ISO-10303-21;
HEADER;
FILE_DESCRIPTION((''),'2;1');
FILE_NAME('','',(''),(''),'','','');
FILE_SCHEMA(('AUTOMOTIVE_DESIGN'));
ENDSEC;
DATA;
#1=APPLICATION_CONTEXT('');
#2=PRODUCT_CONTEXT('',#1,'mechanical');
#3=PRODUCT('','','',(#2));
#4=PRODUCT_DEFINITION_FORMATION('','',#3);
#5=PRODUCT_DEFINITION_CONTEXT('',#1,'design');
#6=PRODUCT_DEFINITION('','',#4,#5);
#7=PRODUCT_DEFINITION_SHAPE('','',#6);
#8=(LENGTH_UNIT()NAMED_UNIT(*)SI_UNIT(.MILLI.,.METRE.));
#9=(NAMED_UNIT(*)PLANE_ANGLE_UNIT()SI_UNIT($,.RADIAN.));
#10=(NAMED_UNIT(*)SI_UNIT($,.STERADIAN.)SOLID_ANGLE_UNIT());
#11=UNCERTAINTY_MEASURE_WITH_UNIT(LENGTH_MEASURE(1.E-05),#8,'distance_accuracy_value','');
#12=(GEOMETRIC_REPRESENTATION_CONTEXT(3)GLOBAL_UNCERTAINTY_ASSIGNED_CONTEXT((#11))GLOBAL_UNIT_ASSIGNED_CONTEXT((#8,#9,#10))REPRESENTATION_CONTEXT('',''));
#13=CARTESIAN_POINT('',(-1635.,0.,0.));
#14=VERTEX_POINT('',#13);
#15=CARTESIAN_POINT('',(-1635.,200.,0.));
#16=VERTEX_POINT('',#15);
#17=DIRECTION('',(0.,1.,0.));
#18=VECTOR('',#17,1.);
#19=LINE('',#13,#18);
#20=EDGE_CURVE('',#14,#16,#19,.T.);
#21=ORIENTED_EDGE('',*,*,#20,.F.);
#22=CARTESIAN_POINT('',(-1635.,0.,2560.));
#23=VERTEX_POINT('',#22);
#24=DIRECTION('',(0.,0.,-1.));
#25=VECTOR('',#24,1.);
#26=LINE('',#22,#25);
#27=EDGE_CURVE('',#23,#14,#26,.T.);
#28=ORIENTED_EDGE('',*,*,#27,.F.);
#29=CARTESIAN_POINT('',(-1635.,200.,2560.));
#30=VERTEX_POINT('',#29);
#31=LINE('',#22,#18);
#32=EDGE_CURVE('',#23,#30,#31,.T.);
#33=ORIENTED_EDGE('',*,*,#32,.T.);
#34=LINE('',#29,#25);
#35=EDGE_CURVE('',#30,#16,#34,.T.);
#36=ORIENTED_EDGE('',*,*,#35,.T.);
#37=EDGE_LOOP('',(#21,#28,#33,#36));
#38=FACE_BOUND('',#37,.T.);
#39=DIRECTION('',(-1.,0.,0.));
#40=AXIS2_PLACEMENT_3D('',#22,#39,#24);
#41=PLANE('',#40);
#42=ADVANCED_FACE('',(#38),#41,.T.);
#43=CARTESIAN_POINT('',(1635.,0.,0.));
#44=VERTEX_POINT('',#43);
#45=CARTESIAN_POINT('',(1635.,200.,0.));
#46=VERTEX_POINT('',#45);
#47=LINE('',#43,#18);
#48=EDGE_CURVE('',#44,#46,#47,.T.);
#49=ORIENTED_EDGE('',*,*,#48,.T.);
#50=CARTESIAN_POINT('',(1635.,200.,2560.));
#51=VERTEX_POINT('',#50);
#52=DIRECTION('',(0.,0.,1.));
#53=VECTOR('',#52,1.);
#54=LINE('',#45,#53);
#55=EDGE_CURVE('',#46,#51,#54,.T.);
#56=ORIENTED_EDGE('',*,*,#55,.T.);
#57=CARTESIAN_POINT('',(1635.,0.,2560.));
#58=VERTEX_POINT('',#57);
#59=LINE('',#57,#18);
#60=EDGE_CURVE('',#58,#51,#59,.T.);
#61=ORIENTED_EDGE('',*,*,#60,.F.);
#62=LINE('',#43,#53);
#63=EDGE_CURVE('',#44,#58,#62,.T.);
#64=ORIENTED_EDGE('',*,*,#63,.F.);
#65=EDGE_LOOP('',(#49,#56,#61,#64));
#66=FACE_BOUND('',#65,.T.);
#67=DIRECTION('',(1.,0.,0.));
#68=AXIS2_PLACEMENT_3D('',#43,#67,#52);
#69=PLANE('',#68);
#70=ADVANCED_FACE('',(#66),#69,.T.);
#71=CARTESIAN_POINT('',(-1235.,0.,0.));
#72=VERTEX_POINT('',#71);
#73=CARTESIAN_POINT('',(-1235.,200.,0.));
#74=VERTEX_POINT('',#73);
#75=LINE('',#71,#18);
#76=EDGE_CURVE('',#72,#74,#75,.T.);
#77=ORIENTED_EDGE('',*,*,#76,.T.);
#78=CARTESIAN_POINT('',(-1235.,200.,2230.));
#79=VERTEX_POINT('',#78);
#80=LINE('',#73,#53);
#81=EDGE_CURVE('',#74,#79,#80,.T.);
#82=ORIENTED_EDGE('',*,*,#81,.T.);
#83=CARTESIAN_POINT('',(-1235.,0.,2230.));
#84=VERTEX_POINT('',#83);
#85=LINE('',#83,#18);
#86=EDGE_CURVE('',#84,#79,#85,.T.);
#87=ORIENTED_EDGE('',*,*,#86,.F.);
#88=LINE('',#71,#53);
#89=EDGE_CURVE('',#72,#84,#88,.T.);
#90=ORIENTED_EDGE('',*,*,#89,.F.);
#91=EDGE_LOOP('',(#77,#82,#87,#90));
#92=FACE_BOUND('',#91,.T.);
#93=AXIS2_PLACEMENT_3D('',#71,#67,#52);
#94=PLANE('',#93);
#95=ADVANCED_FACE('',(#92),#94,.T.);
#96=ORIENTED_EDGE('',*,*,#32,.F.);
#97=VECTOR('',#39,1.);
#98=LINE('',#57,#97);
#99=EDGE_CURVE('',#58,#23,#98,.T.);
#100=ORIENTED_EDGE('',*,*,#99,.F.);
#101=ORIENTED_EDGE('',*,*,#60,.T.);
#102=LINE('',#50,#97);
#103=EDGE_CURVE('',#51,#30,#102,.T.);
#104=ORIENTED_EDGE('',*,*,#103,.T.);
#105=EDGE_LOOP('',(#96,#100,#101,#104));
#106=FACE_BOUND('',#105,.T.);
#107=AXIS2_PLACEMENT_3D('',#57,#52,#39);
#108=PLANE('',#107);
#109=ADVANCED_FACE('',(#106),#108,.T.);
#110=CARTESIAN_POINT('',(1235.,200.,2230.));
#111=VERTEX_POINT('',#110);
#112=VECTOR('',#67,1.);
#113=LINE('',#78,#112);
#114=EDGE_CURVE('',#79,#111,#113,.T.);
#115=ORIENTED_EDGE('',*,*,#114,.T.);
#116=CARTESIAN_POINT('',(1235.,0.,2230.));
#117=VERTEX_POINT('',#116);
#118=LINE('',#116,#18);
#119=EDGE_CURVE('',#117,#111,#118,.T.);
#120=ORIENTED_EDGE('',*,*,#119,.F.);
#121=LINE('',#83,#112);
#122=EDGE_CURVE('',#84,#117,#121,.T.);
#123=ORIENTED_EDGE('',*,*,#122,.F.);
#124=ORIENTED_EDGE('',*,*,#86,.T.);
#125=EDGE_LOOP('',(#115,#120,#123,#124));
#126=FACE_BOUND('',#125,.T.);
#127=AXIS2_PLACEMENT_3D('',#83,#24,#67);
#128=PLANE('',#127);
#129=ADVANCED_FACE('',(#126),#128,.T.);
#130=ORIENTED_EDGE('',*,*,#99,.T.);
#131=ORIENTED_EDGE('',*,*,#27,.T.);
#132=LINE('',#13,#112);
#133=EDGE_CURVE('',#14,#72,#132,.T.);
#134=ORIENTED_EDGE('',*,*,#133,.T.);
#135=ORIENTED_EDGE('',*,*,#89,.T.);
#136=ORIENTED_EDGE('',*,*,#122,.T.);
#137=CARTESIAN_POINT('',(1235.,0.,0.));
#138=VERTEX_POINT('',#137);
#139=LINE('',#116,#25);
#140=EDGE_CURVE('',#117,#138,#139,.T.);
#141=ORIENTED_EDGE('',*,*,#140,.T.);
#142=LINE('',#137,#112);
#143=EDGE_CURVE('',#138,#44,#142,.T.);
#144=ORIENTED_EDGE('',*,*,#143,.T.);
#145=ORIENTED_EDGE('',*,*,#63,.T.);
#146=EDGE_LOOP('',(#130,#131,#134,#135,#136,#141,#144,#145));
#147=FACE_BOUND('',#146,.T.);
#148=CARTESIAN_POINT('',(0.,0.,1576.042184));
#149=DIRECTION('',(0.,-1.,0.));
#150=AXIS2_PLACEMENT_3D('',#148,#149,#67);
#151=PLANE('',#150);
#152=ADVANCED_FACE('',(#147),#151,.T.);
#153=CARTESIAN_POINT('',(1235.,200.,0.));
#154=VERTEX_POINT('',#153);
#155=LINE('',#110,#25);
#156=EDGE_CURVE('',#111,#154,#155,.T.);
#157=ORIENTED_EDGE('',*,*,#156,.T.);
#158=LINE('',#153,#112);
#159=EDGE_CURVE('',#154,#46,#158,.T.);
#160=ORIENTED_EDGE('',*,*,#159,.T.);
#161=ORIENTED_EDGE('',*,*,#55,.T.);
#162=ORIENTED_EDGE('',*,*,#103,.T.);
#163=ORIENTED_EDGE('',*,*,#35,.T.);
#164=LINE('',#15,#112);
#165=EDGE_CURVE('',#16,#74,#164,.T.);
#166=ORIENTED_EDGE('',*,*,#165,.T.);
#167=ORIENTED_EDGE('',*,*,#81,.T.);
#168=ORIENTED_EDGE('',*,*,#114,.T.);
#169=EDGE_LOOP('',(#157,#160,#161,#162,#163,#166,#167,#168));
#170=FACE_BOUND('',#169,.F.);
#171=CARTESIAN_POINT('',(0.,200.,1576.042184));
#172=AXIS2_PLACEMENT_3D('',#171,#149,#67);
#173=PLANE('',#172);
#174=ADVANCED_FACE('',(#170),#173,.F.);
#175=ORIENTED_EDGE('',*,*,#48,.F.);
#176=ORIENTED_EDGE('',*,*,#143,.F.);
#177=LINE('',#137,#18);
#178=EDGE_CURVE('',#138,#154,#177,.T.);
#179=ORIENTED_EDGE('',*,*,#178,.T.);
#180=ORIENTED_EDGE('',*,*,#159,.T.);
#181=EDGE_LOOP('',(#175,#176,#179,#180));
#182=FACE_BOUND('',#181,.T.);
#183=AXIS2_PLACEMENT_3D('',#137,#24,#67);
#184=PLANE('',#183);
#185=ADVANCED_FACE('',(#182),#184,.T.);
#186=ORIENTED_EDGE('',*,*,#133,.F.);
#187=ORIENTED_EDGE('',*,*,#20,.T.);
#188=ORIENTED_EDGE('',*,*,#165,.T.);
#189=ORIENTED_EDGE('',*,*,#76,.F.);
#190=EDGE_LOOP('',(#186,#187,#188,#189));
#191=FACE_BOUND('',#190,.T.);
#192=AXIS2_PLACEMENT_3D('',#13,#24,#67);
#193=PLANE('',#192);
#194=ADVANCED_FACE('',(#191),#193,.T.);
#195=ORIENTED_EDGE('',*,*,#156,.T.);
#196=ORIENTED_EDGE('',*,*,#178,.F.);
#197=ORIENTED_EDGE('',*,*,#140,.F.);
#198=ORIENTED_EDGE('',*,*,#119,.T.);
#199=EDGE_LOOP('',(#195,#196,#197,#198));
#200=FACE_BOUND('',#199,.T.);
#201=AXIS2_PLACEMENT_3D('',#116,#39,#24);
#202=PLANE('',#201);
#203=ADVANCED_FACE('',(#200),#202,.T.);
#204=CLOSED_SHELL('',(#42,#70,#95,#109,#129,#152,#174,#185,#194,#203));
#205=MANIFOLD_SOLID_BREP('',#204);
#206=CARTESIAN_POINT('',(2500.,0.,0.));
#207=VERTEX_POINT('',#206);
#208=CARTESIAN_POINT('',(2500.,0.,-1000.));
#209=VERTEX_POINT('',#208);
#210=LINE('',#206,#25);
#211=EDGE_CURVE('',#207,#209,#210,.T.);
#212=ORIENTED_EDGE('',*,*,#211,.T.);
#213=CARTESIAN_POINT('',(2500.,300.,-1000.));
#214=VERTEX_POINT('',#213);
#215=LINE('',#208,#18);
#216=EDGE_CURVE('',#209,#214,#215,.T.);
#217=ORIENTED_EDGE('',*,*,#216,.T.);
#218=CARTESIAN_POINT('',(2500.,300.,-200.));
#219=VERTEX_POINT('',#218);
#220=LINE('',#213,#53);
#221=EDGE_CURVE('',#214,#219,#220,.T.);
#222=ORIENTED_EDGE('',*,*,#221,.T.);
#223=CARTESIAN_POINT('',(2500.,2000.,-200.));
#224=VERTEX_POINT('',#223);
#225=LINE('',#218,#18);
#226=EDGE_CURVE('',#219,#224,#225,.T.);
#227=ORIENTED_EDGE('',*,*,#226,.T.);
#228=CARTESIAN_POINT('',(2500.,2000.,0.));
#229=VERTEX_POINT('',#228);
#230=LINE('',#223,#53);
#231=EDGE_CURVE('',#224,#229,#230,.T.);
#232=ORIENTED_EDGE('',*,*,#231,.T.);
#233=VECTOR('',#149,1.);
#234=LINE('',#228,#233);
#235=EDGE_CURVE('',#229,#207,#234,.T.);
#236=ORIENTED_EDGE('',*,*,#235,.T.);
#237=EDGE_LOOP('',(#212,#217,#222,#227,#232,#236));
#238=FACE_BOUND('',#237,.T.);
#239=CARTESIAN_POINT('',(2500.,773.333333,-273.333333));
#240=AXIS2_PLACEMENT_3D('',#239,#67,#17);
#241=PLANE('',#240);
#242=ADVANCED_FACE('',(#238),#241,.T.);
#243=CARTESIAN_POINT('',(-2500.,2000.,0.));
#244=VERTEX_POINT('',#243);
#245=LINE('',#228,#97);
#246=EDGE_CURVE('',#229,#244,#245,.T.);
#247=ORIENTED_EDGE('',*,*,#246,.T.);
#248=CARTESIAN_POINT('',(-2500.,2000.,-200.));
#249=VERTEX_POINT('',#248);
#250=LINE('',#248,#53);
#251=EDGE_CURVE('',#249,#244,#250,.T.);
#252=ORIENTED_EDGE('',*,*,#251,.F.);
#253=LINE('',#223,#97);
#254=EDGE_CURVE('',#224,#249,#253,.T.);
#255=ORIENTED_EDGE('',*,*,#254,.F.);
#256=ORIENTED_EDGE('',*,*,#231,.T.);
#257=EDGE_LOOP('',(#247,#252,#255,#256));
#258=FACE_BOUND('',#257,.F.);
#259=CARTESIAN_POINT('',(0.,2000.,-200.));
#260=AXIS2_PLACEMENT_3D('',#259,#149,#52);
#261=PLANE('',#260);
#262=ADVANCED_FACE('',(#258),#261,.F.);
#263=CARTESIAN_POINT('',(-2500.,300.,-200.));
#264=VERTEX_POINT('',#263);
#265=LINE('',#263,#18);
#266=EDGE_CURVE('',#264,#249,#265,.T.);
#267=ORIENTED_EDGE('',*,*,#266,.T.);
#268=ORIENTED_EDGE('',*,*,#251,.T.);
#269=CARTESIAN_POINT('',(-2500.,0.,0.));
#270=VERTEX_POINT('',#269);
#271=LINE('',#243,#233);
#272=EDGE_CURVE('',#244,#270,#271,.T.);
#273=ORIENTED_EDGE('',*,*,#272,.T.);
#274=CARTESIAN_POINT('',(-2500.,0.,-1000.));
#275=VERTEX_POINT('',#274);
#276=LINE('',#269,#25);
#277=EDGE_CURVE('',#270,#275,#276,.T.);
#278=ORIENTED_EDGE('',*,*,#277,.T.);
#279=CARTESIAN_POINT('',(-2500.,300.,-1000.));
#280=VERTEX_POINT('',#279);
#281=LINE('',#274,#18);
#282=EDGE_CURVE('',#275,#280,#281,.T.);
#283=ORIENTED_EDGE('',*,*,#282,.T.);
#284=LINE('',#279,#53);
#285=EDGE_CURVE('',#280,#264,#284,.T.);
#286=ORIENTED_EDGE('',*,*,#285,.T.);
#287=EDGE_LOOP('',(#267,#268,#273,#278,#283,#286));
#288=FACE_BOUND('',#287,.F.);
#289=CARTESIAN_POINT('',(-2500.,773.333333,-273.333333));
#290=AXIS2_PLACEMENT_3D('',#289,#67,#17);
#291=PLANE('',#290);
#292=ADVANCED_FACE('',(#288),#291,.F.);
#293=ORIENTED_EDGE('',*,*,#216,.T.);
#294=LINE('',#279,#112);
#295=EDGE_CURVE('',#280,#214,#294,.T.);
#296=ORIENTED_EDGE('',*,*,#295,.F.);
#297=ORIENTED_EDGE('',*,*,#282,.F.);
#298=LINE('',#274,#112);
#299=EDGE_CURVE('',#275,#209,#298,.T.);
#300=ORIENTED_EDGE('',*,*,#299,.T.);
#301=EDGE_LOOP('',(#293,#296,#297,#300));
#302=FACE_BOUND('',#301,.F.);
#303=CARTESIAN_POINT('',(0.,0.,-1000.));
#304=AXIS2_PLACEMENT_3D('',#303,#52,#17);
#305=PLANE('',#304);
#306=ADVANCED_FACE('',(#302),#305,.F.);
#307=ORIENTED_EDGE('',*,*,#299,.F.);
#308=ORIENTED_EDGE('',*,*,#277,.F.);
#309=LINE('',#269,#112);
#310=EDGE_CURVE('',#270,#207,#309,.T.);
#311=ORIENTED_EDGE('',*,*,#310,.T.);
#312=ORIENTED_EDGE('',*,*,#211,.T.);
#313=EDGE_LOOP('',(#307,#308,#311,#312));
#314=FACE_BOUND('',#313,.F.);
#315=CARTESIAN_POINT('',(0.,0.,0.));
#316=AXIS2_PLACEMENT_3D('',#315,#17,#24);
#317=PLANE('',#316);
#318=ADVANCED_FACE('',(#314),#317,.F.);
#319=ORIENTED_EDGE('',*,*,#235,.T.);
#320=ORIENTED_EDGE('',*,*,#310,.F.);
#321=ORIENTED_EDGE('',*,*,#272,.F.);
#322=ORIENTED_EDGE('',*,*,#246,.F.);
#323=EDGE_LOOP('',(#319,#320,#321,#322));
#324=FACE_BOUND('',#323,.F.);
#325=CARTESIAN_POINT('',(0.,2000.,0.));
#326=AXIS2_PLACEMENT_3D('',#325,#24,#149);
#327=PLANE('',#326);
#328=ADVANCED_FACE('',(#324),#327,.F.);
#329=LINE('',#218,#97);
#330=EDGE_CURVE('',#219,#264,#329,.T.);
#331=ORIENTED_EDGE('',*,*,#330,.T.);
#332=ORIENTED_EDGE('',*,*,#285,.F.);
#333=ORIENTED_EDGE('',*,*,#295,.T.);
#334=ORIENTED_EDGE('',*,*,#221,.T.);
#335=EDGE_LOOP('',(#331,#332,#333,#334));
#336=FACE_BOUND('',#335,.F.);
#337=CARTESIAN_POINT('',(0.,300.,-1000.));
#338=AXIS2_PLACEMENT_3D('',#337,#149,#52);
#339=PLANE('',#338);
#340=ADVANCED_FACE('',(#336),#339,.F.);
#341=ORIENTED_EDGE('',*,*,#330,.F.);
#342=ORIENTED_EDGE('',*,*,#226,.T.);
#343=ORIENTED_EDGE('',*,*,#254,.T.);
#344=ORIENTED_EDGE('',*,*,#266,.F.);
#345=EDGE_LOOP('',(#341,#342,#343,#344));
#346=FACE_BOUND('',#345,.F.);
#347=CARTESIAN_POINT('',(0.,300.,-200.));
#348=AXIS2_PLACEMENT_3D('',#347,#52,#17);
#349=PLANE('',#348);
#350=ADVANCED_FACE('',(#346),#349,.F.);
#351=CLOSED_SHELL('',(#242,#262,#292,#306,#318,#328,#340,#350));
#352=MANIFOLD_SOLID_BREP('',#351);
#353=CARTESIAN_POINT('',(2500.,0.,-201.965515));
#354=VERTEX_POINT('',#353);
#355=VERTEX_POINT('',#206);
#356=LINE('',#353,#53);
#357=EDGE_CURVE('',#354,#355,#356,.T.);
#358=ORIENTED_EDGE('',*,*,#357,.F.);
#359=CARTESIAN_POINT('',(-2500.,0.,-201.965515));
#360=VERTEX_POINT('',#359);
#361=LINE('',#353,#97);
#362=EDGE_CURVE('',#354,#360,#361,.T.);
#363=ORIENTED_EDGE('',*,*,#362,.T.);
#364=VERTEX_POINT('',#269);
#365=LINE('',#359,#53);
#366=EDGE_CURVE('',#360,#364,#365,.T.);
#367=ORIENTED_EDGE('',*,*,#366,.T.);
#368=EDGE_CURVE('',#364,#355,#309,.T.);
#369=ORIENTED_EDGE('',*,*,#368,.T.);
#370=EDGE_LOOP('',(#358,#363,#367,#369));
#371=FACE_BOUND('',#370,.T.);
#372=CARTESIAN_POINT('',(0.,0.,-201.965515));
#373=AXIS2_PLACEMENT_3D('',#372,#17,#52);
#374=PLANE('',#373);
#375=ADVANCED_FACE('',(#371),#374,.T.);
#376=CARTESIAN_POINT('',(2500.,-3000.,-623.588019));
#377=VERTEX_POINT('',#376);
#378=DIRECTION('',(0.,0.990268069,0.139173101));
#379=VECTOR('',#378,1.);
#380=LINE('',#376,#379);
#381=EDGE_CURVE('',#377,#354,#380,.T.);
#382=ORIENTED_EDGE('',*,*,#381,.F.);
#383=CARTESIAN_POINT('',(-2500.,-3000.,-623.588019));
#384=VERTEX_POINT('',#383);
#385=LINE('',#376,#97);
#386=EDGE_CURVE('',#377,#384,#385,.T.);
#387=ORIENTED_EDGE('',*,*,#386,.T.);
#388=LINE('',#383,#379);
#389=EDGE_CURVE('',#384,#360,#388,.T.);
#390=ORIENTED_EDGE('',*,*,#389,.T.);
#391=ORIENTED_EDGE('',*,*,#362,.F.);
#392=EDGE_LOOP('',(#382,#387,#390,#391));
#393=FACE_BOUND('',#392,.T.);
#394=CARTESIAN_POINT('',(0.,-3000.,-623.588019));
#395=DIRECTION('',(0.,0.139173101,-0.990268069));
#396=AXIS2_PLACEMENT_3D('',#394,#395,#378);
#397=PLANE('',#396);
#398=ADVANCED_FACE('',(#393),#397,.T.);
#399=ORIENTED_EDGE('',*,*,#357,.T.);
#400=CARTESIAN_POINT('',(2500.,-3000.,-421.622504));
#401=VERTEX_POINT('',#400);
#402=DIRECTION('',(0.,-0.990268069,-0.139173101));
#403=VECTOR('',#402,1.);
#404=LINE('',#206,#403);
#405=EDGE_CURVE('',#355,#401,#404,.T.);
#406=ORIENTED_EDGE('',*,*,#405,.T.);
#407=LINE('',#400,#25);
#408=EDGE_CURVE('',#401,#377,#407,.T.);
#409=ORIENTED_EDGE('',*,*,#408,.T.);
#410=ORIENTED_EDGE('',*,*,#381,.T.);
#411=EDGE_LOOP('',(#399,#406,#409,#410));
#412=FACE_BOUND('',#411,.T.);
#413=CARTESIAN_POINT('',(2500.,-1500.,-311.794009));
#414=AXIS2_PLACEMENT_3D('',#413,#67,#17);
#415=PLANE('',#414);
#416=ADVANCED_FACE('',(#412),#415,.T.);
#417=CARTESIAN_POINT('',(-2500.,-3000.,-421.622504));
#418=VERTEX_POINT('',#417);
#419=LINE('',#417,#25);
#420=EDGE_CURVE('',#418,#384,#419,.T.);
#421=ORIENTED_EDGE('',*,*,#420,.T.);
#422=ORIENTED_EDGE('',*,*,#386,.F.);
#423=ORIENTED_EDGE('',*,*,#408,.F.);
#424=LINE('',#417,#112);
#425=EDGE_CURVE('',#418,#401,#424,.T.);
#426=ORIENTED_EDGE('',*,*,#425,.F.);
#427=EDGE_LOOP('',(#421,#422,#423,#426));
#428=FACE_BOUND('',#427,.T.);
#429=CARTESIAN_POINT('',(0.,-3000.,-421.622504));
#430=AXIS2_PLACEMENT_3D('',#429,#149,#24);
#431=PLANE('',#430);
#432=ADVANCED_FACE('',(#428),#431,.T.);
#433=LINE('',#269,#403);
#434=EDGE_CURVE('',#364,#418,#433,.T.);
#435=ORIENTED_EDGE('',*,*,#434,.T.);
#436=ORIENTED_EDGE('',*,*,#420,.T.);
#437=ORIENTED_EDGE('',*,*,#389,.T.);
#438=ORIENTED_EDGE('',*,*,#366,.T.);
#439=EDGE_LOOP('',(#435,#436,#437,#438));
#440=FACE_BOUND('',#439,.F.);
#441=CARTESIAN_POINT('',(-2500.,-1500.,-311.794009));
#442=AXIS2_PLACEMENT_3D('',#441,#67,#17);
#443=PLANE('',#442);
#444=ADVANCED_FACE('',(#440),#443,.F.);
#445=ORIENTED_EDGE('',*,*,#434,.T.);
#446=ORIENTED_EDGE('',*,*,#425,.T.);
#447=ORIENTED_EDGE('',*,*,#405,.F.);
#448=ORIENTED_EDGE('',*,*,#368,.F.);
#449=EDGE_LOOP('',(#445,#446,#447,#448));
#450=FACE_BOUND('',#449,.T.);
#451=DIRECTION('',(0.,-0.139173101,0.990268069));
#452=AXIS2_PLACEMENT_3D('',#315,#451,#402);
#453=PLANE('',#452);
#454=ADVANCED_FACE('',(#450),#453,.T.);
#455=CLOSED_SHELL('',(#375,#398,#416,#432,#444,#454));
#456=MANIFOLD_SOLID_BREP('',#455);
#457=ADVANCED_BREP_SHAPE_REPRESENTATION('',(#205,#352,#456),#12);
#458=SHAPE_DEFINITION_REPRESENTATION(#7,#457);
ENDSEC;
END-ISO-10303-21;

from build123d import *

# Parameters (mm, degrees)
F1_DEPTH      = 200
F3_DEPTH      = 2500
F5_DEPTH      = 2500
F5_DEPTH_BACK = 2500


with BuildPart() as f1:
    # F0 (on Front) → F1 (new body)
    with BuildSketch(Plane.XZ):
        Polygon((-1235, 2230), (1235, 2230), (1235, 0), (1635, 0), (1635, 2560), (-1635, 2560), (-1635, 0), (-1235, 0), align=None)
    extrude(amount=-F1_DEPTH)


with BuildPart() as f3:
    # F2 (on Right) → F3 (new body, symmetric)
    with BuildSketch(Plane.YZ):
        Polygon((0, -201.9655145037), (0, 0), (-3000, -421.6225041072), (-3000, -623.5880186109), align=None)
    extrude(amount=F3_DEPTH, both=True)


with BuildPart() as f5:
    # F4 (on Right) → F5 (new body, two sides)
    with BuildSketch(Plane.YZ) as f5_sk:
        Polygon((2000, 0), (0, 0), (0, -1000), (300, -1000), (300, -200), (2000, -200), align=None)
    extrude(amount=-F5_DEPTH)
    extrude(f5_sk.sketch, amount=F5_DEPTH_BACK)


solid = Compound([f1.part, f3.part, f5.part])
